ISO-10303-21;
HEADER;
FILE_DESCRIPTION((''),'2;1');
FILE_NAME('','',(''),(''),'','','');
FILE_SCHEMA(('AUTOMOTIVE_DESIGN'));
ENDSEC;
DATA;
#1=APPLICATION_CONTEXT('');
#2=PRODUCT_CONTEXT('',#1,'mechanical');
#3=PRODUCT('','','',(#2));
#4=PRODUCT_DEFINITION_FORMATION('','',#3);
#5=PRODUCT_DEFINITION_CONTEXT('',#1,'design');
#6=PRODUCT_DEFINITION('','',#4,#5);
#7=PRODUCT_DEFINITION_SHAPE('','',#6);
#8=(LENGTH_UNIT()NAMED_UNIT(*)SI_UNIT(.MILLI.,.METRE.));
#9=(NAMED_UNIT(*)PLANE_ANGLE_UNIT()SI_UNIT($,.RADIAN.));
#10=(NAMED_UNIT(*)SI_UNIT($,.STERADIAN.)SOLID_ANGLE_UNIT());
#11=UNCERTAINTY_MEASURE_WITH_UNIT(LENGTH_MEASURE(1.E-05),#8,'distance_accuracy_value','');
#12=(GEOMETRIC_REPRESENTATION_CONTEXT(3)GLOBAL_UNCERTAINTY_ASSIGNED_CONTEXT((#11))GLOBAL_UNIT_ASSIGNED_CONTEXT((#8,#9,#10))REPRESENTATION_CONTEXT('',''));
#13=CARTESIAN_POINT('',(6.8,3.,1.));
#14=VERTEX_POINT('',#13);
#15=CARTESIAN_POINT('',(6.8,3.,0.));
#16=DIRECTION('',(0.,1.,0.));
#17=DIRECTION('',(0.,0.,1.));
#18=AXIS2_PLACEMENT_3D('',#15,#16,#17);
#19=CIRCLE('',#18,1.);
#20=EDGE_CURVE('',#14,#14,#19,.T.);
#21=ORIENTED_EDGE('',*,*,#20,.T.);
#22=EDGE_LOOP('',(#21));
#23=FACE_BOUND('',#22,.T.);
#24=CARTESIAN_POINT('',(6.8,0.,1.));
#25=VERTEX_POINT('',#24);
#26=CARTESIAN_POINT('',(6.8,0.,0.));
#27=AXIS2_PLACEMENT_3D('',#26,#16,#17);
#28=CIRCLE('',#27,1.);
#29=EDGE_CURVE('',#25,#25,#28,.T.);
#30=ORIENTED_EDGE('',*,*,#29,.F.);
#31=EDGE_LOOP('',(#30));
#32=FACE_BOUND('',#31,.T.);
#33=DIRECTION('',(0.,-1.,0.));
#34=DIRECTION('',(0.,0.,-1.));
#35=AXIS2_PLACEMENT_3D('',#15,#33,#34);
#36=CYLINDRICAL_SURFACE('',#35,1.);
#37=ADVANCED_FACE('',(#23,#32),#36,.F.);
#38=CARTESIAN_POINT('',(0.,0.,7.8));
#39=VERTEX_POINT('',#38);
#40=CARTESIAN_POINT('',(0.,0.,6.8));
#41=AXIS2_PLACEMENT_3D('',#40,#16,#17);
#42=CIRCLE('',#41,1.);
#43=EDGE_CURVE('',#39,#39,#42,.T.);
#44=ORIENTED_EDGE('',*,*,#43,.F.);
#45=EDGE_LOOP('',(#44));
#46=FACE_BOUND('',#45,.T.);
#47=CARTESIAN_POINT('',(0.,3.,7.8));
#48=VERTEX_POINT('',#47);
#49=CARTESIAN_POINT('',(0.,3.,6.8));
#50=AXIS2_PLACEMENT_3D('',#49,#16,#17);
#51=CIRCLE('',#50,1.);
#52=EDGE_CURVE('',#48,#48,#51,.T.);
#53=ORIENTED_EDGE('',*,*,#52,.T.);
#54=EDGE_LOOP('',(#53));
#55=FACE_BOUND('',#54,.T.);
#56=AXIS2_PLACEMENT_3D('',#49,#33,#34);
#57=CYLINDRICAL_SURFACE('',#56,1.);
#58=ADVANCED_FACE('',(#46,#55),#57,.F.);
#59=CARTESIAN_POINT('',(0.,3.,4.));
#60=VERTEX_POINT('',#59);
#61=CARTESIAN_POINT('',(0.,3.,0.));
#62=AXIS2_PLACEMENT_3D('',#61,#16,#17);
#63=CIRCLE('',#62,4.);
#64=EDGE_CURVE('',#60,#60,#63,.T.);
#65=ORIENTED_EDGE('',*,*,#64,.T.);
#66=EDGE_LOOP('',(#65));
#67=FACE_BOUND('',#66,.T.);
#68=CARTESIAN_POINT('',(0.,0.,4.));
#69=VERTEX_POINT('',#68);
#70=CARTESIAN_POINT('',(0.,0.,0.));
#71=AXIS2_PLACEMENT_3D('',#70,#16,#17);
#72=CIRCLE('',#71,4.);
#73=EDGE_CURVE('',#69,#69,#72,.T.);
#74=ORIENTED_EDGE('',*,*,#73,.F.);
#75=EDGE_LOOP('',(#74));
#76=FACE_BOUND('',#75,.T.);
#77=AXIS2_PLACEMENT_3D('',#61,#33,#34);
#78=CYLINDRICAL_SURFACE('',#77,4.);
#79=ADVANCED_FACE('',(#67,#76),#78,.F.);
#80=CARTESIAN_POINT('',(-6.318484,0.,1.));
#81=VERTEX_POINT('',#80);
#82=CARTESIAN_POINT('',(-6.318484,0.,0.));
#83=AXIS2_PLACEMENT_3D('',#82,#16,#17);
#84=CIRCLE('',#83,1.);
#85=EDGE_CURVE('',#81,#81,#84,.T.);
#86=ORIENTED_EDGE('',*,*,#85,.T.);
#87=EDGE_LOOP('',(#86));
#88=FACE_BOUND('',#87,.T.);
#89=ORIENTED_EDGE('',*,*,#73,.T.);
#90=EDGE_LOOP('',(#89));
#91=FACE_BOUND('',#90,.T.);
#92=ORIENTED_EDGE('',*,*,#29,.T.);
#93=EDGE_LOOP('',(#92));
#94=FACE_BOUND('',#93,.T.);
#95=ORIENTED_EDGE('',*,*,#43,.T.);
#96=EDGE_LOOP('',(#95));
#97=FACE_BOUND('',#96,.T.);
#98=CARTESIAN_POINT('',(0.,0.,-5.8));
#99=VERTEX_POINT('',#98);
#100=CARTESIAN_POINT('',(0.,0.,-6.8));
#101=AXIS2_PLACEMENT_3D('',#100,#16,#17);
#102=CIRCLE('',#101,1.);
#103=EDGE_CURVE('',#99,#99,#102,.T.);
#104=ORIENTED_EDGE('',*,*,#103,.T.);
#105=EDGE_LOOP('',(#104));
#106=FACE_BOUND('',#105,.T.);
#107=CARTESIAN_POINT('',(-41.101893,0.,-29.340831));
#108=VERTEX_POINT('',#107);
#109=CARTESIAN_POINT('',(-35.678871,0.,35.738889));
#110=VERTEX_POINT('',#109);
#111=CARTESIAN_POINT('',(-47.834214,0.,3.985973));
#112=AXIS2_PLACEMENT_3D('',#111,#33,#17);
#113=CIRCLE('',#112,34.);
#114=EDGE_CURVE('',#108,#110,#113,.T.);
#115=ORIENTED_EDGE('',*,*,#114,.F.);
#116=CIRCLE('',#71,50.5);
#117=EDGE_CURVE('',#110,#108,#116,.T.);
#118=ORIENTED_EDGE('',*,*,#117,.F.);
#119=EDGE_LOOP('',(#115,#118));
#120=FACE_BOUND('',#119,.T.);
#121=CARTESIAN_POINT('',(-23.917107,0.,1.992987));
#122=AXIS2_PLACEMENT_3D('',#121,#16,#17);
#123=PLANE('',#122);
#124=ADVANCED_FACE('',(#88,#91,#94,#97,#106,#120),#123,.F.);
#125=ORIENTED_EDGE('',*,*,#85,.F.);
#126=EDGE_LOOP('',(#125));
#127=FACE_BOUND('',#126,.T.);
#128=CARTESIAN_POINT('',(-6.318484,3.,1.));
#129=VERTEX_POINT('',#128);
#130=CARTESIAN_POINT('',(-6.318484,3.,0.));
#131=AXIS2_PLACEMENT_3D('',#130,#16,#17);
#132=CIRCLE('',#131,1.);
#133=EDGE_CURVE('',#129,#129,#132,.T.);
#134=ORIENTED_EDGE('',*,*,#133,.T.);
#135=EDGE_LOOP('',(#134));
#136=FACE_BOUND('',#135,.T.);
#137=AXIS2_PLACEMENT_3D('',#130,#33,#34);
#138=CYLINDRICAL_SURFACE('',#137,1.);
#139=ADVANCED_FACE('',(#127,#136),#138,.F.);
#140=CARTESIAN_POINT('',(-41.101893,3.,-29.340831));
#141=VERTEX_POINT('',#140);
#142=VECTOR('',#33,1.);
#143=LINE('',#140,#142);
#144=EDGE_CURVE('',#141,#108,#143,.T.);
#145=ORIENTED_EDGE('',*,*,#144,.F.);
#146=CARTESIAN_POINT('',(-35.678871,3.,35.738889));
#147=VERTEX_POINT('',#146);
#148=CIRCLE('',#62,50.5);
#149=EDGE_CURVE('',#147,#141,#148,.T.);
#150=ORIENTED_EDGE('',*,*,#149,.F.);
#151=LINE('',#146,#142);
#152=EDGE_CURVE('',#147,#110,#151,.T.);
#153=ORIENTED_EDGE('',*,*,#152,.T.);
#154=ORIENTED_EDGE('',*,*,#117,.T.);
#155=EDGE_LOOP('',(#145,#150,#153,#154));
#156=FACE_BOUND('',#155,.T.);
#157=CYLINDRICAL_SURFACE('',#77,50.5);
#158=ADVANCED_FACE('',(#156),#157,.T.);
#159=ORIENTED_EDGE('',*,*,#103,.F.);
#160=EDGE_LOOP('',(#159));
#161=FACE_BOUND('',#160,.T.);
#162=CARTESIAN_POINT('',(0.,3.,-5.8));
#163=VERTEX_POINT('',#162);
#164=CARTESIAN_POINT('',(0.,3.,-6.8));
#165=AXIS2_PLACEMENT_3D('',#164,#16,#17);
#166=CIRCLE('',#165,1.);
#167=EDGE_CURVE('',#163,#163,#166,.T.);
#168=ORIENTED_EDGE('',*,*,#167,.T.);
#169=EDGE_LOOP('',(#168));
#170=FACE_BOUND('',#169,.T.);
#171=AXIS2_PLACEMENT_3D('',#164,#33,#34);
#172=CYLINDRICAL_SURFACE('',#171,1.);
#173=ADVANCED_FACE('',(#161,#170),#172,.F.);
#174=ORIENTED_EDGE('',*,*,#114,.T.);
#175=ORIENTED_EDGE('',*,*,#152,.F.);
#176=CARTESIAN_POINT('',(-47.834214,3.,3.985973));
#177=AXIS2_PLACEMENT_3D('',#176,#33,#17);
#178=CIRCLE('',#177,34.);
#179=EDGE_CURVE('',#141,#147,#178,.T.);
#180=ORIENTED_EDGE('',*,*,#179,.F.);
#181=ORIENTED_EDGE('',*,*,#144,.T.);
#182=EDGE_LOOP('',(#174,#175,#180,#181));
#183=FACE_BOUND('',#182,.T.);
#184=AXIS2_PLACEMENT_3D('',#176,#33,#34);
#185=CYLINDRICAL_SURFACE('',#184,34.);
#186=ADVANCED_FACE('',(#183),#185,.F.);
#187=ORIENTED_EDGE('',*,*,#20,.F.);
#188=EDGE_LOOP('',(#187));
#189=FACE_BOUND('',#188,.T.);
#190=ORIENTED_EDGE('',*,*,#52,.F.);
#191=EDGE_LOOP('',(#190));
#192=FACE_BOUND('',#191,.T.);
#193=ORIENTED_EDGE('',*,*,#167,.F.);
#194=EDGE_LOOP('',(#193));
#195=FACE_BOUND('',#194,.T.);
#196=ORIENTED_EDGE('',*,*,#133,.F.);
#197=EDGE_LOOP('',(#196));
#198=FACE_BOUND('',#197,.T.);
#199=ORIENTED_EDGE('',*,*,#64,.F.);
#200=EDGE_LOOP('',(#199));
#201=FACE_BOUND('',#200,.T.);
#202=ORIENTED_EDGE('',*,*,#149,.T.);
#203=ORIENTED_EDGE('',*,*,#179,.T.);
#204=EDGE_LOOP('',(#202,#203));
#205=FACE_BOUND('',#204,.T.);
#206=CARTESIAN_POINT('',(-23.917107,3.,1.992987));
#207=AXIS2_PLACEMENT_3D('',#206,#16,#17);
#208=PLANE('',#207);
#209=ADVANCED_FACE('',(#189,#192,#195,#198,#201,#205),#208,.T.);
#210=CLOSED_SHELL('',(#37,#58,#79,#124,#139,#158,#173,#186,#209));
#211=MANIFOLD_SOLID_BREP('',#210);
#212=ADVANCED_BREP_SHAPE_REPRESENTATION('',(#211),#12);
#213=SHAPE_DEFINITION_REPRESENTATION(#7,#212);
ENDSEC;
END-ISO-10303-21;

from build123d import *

# Parameters (mm, degrees)
SKETCH1_R           = 4
SKETCH1_R_2         = 1
BOSS_EXTRUDE1_DEPTH = 3


with BuildPart() as part:
    # Sketch1 → Boss-Extrude1 (new body)
    with BuildSketch(Plane(origin=(0, 0, 0), x_dir=(1, 0, 0), z_dir=(0, 1, 0))):
        with BuildLine():
            ThreePointArc((-35.678871137, -35.738888545), (50.325579201, 4.193575813), (-41.101893418, 29.340830893))
            ThreePointArc((-41.101893418, 29.340830893), (-13.951645719, -1.162575473), (-35.678871137, -35.738888545))
        make_face()
        with Locations(Location((0, 0, 0), (0, 0, 270))):
            Circle(SKETCH1_R, mode=Mode.SUBTRACT)
        with Locations(Location((-6.318484242, 0, 0), (0, 0, 270))):
            Circle(SKETCH1_R_2, mode=Mode.SUBTRACT)
        with Locations(Location((0, 6.8, 0), (0, 0, 270))):
            Circle(SKETCH1_R_2, mode=Mode.SUBTRACT)
        with Locations(Location((6.8, 0, 0), (0, 0, 270))):
            Circle(SKETCH1_R_2, mode=Mode.SUBTRACT)
        with Locations(Location((0, -6.8, 0), (0, 0, 270))):
            Circle(SKETCH1_R_2, mode=Mode.SUBTRACT)
    extrude(amount=BOSS_EXTRUDE1_DEPTH)


solid = part.part
